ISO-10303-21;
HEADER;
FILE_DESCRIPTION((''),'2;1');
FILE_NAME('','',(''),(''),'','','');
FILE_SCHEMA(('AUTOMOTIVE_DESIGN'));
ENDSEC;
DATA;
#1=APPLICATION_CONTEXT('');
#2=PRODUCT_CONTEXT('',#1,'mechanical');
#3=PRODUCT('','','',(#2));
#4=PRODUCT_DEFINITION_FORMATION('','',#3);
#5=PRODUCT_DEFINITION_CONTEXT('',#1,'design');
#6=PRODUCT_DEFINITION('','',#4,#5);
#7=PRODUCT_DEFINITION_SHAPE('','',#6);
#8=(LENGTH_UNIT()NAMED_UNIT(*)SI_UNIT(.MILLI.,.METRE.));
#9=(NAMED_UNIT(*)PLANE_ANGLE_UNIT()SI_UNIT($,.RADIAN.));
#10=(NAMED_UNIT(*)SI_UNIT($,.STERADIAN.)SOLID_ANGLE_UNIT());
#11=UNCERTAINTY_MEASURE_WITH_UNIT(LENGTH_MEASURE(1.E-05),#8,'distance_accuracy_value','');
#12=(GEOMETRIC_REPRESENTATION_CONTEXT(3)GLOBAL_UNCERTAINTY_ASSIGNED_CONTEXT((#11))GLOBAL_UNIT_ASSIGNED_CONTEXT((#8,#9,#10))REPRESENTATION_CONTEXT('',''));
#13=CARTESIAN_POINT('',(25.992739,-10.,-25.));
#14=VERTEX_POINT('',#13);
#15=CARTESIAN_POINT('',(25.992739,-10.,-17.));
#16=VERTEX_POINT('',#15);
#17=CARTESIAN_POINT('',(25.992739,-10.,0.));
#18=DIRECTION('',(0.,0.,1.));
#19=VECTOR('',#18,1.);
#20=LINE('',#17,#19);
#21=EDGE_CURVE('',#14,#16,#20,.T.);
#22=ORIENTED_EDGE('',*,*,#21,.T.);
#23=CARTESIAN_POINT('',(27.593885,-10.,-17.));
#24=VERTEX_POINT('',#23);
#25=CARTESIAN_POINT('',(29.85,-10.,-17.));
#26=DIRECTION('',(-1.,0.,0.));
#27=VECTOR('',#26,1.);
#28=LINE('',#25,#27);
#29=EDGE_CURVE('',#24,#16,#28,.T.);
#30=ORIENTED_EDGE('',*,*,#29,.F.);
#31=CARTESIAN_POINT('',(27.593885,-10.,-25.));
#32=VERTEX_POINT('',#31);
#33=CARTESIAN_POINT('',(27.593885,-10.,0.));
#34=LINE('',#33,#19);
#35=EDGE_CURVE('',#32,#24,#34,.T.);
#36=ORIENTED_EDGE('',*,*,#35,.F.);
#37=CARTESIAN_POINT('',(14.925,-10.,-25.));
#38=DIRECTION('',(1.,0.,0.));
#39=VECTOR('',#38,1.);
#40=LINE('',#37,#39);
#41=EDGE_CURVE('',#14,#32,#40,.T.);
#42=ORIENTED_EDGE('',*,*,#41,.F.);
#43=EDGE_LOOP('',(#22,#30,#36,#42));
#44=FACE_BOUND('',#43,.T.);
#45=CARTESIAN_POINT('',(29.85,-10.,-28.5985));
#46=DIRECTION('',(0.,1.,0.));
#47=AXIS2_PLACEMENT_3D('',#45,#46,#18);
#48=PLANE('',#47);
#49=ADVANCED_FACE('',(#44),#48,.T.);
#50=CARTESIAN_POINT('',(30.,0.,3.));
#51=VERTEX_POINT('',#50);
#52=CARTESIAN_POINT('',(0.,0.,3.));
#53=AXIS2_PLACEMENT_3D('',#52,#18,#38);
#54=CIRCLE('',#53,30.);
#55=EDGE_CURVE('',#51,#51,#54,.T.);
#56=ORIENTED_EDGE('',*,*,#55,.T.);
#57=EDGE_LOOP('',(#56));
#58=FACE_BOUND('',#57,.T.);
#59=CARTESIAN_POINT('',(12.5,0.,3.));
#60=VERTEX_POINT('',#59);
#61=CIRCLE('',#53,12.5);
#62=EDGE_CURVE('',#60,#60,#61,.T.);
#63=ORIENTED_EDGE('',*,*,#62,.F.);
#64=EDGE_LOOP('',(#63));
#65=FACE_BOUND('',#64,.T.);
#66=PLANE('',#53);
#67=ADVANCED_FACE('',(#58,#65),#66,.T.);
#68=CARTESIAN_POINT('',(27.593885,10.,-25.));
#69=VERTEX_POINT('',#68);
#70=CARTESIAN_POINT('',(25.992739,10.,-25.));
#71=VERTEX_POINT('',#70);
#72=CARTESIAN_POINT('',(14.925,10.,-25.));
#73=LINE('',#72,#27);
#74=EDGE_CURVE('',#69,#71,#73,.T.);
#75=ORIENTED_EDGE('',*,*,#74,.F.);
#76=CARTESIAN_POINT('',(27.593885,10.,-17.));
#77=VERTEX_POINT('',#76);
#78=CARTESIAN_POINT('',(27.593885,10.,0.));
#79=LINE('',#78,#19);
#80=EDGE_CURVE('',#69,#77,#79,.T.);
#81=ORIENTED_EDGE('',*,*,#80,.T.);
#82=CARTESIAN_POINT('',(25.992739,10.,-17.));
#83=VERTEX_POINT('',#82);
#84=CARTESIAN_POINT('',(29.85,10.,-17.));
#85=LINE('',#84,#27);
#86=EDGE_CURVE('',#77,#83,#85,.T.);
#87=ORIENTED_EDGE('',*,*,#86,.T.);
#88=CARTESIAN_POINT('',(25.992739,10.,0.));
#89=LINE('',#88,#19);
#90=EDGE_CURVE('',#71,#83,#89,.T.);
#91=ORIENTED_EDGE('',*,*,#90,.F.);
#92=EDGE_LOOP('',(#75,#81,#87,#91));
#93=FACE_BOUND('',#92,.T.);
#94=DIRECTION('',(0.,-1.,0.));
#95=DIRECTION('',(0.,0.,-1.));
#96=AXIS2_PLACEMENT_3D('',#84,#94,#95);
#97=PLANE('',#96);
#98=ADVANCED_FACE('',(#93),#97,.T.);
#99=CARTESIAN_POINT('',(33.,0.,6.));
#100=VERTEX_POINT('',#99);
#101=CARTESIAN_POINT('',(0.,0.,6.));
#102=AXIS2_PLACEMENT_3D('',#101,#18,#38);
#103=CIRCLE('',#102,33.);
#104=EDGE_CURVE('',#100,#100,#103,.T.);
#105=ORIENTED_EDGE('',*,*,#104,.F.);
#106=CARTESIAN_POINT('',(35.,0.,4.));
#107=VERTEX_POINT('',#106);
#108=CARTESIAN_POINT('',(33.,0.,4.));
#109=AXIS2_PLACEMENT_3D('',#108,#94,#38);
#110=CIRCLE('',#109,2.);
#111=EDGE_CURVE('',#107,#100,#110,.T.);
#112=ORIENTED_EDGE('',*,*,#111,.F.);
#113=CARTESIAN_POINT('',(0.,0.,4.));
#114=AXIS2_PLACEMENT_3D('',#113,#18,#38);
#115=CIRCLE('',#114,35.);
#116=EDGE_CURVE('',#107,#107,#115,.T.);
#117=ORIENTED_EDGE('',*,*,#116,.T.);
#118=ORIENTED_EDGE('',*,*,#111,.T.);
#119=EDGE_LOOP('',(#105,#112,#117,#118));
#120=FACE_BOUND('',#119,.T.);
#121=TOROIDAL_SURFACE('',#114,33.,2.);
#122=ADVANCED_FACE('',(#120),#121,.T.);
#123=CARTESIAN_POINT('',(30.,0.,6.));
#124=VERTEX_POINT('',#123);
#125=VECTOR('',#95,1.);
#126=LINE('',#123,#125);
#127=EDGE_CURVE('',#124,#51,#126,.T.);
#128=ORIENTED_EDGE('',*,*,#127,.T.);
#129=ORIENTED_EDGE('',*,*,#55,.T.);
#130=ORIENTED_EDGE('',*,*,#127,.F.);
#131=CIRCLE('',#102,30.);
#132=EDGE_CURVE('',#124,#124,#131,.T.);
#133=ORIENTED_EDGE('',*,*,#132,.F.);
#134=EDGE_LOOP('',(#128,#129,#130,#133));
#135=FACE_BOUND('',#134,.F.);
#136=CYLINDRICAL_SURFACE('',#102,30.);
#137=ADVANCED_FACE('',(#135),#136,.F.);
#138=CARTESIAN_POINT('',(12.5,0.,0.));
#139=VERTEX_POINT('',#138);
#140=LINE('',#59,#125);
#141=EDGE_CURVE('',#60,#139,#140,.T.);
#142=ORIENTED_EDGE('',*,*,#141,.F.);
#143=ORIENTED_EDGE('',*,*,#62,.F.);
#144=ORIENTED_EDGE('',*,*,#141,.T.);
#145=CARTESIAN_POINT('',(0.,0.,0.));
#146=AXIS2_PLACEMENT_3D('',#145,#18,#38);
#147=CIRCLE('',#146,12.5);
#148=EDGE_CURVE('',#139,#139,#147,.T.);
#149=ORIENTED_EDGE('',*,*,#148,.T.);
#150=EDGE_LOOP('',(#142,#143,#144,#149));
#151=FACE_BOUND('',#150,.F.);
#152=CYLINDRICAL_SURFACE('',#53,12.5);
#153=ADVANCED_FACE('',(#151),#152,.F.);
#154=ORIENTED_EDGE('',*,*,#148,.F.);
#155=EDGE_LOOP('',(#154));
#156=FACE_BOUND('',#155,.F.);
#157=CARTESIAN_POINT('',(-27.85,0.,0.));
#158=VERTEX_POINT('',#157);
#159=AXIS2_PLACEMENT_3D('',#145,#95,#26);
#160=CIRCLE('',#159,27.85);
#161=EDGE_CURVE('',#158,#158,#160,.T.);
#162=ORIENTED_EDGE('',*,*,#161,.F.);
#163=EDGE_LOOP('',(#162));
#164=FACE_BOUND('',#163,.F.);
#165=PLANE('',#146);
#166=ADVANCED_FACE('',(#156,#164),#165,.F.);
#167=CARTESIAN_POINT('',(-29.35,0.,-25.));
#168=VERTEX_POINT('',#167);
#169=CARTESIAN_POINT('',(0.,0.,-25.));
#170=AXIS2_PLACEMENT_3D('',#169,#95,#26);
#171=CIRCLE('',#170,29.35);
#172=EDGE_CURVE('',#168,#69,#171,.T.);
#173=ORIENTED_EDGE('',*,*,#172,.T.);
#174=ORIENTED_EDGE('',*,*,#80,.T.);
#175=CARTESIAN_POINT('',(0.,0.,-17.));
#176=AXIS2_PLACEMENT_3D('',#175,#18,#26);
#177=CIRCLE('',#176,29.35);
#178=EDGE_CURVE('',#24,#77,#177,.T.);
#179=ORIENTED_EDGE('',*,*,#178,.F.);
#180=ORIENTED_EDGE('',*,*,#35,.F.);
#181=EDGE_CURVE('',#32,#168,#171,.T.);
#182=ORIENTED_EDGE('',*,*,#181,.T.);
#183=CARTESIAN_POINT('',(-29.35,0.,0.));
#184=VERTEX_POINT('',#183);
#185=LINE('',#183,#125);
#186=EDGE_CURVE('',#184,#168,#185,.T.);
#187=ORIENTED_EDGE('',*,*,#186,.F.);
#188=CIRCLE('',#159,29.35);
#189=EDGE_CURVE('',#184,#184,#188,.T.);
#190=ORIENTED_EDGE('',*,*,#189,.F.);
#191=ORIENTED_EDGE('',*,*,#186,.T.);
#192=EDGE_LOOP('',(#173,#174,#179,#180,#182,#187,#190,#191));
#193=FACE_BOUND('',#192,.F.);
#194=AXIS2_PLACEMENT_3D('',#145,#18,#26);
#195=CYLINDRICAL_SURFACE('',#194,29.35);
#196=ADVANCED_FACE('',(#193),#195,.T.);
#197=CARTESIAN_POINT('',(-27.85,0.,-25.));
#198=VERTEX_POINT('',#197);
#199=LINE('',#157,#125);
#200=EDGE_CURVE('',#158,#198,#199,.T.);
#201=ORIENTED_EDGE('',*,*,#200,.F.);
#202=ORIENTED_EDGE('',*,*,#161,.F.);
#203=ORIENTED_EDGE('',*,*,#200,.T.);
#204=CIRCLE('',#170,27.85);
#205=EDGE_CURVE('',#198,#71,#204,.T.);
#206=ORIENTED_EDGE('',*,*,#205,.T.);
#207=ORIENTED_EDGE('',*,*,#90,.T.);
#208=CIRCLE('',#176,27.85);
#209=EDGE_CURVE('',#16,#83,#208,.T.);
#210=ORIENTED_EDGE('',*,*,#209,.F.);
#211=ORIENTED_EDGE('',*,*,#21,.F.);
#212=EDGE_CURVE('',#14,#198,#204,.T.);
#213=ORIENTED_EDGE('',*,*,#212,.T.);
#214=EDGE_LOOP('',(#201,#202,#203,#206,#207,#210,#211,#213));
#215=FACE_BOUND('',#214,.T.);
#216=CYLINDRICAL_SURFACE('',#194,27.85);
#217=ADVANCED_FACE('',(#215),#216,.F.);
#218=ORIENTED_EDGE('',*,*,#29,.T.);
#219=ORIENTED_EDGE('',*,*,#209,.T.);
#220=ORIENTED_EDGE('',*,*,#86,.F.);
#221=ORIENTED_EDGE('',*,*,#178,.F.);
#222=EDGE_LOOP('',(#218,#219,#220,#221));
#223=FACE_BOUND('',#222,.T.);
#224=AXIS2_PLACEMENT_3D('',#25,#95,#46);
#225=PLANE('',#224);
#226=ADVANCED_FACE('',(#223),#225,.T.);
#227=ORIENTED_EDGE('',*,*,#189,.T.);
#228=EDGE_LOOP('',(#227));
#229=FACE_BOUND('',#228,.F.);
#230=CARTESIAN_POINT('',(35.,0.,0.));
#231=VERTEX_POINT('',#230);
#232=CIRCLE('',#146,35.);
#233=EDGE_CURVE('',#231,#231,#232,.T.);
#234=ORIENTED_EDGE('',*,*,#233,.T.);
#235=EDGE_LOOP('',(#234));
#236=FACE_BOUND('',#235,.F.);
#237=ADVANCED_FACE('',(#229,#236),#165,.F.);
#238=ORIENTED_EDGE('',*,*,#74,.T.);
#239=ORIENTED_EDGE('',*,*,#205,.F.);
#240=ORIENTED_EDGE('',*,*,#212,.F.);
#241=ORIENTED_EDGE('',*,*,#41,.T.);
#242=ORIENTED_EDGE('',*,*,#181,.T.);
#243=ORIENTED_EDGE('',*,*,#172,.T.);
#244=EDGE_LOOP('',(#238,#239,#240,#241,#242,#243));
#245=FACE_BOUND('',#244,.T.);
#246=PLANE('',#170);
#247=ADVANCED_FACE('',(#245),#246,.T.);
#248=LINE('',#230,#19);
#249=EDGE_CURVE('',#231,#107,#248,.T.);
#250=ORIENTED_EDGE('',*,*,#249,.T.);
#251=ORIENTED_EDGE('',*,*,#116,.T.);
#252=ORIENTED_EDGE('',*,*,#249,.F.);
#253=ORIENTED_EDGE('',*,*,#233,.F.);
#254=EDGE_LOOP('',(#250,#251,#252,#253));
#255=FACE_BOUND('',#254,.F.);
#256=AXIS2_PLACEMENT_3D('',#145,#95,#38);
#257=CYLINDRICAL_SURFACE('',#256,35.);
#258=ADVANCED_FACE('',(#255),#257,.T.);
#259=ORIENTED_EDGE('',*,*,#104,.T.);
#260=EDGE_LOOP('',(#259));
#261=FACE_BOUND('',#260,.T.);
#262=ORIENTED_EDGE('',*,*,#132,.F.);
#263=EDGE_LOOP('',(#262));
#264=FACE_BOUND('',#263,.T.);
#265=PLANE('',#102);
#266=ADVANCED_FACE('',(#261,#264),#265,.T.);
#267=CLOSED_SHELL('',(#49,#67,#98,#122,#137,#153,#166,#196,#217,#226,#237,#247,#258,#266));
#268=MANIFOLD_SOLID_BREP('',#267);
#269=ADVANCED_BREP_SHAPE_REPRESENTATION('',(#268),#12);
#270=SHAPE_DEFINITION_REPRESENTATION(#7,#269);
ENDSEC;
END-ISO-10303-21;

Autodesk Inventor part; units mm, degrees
ref_plane "XZ Plane" through (0, 0, 0) normal (0, 1, 0) x (-1, 0, 0)
ref_plane "XY Plane" through (0, 0, 0) normal (0, 0, 1) x (1, 0, 0)
sketch "Sketch1" plane through (0, 0, 0) normal (0, 0, 1) x (1, 0, 0)
  circle A0 centre (0, 0) radius 35
  dimension "d0" = 70
extrude "Extrusion1" add sketch "Sketch1" along normal blind 6
sketch "Sketch2" plane through (0, 0, 6) normal (0, 0, 1) x (1, 0, 0)
  circle A0 centre (0, 0) radius 35 projected
  circle A1 centre (0, 0) radius 30
  dimension "d3" = 60
extrude "Extrusion2" cut sketch "Sketch2" against normal blind 3 contours A1
sketch "Sketch3" plane through (0, 0, 0) normal (0, 0, -1) x (-1, 0, 0)
  circle A0 centre (0, 0) radius 35 projected
  circle A1 centre (0, 0) radius 29.35
  circle A2 centre (0, 0) radius 27.85
  dimension "d6" = 58.7
  dimension "d7" = 55.7
extrude "Extrusion3" add sketch "Sketch3" along normal blind 25 contours A1
fillet "Fillet1" radius 2 1 edges at (-35, 0, 6)
sketch "Sketch4" plane through (0, 0, 3) normal (0, 0, 1) x (1, 0, 0)
  circle A0 centre (0, 0) radius 30 projected
  circle A1 centre (0, 0) radius 12.5
  dimension "d11" = 25
extrude "Extrusion4" cut sketch "Sketch4" against normal blind 10 contours A1
ref_plane "Work Plane1" through (29.85, 0, 0) normal (1, 0, 0) x (0, 1, 0)
sketch "Sketch5" plane through (29.85, 0, 0) normal (1, 0, 0) x (0, 1, 0)
  line L0 (-10, -17) -> (10, -17)
  line L1 (10, -17) -> (10, -28.5985)
  line L2 (10, -28.5985) -> (-10, -28.5985)
  line L3 (-10, -28.5985) -> (-10, -17)
  line L4 (0, -31.2) -> (0, 12.2) projected
  line L5 (0, 0) -> (-49, 0)
  dimension "d15" = 20
  dimension "d17" = 17
extrude "Extrusion5" cut sketch "Sketch5" against normal blind 10
properties part number "Tapa_superior_carcasa"
